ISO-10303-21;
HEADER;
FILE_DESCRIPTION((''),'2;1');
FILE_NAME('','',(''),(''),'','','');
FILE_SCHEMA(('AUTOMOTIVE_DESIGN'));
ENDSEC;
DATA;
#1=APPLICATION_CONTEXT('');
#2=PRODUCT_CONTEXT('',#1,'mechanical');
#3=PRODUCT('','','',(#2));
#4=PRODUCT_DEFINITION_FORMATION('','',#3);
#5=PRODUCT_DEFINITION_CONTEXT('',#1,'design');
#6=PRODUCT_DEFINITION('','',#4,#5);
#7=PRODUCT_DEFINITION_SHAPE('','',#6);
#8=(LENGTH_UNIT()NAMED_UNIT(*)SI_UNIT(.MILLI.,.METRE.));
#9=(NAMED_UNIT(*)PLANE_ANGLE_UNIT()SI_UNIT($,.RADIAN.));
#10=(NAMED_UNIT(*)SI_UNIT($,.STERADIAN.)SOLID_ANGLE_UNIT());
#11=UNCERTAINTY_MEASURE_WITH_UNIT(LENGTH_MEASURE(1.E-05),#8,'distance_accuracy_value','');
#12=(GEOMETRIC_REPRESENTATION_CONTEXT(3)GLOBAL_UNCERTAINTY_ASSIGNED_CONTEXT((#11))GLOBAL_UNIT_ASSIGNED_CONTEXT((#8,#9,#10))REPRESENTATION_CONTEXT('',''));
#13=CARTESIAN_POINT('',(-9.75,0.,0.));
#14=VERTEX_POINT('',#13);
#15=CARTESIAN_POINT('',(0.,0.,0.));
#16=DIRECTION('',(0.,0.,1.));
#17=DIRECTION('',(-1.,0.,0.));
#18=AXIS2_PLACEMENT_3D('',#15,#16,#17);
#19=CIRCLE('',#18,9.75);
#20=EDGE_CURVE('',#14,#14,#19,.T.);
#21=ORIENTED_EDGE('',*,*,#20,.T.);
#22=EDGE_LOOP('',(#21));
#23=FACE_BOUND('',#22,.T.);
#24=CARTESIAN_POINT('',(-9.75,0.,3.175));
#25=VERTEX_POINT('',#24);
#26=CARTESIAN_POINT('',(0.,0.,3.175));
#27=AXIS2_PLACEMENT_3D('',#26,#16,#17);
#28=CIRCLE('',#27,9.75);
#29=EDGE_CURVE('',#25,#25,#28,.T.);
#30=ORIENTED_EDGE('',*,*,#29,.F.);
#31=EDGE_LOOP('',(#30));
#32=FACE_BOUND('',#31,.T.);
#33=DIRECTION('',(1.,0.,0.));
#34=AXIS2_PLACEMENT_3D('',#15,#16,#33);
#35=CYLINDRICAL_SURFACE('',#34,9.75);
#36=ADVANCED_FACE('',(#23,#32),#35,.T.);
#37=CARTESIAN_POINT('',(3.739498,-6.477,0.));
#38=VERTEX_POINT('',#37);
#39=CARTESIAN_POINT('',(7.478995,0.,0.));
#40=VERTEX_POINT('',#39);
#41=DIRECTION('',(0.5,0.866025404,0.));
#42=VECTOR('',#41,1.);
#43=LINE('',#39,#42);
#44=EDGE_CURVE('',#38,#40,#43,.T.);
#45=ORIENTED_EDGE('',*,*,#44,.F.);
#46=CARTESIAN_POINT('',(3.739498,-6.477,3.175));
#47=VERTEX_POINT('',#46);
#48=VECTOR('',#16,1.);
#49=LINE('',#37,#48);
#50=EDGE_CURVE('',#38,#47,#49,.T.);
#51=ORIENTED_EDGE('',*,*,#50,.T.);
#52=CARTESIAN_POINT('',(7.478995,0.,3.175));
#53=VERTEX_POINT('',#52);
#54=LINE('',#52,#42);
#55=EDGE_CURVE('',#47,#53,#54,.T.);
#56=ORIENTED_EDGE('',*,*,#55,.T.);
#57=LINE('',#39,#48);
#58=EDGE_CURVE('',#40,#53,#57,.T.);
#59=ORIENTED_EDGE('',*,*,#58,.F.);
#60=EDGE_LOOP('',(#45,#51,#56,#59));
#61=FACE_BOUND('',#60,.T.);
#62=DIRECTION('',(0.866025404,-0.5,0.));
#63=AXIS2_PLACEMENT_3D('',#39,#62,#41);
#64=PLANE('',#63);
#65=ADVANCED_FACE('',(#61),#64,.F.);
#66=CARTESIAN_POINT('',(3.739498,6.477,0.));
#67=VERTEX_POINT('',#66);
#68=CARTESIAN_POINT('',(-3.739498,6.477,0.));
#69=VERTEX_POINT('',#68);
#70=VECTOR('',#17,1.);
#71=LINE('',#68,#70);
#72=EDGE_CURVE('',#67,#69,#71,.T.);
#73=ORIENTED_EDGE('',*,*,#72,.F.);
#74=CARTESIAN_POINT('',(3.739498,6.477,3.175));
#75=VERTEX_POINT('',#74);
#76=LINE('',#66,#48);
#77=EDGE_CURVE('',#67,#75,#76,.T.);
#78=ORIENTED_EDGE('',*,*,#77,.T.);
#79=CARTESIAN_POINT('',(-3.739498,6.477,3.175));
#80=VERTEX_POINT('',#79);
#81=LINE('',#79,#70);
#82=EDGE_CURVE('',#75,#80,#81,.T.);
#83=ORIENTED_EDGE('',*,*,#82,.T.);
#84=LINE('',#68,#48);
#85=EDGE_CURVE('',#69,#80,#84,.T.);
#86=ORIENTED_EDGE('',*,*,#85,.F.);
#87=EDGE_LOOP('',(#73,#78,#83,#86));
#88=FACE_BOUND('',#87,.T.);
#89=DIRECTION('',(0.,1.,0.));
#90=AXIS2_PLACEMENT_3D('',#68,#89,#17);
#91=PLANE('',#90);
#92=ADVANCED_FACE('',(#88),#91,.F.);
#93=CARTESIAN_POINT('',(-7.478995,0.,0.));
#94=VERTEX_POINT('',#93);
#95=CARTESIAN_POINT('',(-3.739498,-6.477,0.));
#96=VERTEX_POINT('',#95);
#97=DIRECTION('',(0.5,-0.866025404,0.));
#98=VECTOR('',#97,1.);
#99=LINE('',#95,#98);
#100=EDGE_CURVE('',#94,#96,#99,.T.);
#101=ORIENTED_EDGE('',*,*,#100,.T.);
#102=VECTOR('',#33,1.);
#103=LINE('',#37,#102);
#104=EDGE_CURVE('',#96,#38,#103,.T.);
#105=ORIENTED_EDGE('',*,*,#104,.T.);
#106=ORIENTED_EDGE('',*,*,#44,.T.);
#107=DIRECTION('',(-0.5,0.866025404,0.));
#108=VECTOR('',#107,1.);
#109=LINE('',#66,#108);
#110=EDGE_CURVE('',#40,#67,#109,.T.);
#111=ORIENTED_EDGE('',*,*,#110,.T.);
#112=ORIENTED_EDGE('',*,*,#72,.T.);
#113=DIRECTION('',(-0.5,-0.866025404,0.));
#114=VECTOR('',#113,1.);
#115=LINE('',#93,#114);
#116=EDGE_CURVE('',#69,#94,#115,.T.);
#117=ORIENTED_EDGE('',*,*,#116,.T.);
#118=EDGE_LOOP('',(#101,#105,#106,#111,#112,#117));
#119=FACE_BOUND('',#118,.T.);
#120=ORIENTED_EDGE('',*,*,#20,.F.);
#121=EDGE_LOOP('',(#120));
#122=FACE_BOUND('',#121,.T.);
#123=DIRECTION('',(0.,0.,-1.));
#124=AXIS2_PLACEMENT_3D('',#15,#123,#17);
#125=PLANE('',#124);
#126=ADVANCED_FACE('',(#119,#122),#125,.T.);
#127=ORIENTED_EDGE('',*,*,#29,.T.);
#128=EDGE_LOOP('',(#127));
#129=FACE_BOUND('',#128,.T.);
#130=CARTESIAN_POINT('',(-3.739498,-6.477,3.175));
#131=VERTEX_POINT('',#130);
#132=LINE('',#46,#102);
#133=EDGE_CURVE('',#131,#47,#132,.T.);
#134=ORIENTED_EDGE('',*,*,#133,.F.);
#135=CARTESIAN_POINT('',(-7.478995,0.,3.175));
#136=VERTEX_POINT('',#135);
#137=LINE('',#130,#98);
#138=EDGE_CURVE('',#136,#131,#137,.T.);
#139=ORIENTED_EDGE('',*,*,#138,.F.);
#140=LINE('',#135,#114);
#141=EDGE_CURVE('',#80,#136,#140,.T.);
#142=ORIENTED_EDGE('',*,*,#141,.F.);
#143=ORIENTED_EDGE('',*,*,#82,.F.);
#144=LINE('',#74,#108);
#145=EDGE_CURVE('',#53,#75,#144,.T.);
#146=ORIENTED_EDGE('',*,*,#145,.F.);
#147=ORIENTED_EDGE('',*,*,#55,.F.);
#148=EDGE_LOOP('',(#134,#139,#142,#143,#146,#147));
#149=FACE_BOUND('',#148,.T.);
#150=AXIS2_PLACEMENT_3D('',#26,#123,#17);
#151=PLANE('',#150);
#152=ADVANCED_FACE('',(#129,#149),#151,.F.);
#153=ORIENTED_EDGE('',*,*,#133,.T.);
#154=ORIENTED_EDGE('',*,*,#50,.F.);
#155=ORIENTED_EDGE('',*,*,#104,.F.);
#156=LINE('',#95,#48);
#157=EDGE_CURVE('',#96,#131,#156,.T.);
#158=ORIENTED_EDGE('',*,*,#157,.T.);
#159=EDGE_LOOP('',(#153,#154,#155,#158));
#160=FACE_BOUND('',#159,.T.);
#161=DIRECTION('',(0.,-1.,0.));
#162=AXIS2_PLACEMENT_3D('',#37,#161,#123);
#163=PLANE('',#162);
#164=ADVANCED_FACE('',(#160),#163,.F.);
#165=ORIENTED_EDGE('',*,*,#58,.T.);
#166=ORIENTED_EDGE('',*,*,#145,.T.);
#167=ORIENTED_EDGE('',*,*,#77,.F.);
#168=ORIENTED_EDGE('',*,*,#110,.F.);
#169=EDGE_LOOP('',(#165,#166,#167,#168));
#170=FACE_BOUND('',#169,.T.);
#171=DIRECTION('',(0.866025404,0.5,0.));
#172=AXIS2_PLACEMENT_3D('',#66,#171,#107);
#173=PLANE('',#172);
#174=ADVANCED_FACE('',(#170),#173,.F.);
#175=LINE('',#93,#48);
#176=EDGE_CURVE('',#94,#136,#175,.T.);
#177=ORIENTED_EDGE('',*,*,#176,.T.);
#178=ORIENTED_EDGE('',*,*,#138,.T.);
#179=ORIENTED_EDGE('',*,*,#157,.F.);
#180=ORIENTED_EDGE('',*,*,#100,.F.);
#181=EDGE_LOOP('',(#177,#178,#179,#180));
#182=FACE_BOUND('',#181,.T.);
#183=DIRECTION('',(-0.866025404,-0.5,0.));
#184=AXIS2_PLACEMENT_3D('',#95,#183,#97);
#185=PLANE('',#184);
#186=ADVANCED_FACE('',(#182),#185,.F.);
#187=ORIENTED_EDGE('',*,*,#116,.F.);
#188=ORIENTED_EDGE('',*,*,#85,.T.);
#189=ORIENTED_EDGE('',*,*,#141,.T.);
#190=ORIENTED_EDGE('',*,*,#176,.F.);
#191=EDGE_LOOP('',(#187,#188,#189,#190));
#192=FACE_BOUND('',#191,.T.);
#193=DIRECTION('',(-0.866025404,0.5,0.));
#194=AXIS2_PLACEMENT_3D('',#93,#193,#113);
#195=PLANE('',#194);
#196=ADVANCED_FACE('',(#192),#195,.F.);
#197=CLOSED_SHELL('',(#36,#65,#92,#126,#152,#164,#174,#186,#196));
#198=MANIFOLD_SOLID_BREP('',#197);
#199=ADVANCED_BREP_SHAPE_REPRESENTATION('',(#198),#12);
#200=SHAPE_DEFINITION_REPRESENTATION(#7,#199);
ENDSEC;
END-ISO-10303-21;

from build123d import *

# Parameters (mm, degrees)
SKETCH1_R           = 9.75
BOSS_EXTRUDE1_DEPTH = 3.175


with BuildPart() as part:
    # Sketch1 → Boss-Extrude1 (new body)
    with BuildSketch(Plane.XY.offset(3.175)):
        Circle(SKETCH1_R)
        Polygon((-3.739497694, 6.477), (3.739497694, 6.477), (7.478995387, 0), (3.739497694, -6.477), (-3.739497694, -6.477), (-7.478995387, 0), align=None, mode=Mode.SUBTRACT)
    extrude(amount=-BOSS_EXTRUDE1_DEPTH)


solid = part.part
